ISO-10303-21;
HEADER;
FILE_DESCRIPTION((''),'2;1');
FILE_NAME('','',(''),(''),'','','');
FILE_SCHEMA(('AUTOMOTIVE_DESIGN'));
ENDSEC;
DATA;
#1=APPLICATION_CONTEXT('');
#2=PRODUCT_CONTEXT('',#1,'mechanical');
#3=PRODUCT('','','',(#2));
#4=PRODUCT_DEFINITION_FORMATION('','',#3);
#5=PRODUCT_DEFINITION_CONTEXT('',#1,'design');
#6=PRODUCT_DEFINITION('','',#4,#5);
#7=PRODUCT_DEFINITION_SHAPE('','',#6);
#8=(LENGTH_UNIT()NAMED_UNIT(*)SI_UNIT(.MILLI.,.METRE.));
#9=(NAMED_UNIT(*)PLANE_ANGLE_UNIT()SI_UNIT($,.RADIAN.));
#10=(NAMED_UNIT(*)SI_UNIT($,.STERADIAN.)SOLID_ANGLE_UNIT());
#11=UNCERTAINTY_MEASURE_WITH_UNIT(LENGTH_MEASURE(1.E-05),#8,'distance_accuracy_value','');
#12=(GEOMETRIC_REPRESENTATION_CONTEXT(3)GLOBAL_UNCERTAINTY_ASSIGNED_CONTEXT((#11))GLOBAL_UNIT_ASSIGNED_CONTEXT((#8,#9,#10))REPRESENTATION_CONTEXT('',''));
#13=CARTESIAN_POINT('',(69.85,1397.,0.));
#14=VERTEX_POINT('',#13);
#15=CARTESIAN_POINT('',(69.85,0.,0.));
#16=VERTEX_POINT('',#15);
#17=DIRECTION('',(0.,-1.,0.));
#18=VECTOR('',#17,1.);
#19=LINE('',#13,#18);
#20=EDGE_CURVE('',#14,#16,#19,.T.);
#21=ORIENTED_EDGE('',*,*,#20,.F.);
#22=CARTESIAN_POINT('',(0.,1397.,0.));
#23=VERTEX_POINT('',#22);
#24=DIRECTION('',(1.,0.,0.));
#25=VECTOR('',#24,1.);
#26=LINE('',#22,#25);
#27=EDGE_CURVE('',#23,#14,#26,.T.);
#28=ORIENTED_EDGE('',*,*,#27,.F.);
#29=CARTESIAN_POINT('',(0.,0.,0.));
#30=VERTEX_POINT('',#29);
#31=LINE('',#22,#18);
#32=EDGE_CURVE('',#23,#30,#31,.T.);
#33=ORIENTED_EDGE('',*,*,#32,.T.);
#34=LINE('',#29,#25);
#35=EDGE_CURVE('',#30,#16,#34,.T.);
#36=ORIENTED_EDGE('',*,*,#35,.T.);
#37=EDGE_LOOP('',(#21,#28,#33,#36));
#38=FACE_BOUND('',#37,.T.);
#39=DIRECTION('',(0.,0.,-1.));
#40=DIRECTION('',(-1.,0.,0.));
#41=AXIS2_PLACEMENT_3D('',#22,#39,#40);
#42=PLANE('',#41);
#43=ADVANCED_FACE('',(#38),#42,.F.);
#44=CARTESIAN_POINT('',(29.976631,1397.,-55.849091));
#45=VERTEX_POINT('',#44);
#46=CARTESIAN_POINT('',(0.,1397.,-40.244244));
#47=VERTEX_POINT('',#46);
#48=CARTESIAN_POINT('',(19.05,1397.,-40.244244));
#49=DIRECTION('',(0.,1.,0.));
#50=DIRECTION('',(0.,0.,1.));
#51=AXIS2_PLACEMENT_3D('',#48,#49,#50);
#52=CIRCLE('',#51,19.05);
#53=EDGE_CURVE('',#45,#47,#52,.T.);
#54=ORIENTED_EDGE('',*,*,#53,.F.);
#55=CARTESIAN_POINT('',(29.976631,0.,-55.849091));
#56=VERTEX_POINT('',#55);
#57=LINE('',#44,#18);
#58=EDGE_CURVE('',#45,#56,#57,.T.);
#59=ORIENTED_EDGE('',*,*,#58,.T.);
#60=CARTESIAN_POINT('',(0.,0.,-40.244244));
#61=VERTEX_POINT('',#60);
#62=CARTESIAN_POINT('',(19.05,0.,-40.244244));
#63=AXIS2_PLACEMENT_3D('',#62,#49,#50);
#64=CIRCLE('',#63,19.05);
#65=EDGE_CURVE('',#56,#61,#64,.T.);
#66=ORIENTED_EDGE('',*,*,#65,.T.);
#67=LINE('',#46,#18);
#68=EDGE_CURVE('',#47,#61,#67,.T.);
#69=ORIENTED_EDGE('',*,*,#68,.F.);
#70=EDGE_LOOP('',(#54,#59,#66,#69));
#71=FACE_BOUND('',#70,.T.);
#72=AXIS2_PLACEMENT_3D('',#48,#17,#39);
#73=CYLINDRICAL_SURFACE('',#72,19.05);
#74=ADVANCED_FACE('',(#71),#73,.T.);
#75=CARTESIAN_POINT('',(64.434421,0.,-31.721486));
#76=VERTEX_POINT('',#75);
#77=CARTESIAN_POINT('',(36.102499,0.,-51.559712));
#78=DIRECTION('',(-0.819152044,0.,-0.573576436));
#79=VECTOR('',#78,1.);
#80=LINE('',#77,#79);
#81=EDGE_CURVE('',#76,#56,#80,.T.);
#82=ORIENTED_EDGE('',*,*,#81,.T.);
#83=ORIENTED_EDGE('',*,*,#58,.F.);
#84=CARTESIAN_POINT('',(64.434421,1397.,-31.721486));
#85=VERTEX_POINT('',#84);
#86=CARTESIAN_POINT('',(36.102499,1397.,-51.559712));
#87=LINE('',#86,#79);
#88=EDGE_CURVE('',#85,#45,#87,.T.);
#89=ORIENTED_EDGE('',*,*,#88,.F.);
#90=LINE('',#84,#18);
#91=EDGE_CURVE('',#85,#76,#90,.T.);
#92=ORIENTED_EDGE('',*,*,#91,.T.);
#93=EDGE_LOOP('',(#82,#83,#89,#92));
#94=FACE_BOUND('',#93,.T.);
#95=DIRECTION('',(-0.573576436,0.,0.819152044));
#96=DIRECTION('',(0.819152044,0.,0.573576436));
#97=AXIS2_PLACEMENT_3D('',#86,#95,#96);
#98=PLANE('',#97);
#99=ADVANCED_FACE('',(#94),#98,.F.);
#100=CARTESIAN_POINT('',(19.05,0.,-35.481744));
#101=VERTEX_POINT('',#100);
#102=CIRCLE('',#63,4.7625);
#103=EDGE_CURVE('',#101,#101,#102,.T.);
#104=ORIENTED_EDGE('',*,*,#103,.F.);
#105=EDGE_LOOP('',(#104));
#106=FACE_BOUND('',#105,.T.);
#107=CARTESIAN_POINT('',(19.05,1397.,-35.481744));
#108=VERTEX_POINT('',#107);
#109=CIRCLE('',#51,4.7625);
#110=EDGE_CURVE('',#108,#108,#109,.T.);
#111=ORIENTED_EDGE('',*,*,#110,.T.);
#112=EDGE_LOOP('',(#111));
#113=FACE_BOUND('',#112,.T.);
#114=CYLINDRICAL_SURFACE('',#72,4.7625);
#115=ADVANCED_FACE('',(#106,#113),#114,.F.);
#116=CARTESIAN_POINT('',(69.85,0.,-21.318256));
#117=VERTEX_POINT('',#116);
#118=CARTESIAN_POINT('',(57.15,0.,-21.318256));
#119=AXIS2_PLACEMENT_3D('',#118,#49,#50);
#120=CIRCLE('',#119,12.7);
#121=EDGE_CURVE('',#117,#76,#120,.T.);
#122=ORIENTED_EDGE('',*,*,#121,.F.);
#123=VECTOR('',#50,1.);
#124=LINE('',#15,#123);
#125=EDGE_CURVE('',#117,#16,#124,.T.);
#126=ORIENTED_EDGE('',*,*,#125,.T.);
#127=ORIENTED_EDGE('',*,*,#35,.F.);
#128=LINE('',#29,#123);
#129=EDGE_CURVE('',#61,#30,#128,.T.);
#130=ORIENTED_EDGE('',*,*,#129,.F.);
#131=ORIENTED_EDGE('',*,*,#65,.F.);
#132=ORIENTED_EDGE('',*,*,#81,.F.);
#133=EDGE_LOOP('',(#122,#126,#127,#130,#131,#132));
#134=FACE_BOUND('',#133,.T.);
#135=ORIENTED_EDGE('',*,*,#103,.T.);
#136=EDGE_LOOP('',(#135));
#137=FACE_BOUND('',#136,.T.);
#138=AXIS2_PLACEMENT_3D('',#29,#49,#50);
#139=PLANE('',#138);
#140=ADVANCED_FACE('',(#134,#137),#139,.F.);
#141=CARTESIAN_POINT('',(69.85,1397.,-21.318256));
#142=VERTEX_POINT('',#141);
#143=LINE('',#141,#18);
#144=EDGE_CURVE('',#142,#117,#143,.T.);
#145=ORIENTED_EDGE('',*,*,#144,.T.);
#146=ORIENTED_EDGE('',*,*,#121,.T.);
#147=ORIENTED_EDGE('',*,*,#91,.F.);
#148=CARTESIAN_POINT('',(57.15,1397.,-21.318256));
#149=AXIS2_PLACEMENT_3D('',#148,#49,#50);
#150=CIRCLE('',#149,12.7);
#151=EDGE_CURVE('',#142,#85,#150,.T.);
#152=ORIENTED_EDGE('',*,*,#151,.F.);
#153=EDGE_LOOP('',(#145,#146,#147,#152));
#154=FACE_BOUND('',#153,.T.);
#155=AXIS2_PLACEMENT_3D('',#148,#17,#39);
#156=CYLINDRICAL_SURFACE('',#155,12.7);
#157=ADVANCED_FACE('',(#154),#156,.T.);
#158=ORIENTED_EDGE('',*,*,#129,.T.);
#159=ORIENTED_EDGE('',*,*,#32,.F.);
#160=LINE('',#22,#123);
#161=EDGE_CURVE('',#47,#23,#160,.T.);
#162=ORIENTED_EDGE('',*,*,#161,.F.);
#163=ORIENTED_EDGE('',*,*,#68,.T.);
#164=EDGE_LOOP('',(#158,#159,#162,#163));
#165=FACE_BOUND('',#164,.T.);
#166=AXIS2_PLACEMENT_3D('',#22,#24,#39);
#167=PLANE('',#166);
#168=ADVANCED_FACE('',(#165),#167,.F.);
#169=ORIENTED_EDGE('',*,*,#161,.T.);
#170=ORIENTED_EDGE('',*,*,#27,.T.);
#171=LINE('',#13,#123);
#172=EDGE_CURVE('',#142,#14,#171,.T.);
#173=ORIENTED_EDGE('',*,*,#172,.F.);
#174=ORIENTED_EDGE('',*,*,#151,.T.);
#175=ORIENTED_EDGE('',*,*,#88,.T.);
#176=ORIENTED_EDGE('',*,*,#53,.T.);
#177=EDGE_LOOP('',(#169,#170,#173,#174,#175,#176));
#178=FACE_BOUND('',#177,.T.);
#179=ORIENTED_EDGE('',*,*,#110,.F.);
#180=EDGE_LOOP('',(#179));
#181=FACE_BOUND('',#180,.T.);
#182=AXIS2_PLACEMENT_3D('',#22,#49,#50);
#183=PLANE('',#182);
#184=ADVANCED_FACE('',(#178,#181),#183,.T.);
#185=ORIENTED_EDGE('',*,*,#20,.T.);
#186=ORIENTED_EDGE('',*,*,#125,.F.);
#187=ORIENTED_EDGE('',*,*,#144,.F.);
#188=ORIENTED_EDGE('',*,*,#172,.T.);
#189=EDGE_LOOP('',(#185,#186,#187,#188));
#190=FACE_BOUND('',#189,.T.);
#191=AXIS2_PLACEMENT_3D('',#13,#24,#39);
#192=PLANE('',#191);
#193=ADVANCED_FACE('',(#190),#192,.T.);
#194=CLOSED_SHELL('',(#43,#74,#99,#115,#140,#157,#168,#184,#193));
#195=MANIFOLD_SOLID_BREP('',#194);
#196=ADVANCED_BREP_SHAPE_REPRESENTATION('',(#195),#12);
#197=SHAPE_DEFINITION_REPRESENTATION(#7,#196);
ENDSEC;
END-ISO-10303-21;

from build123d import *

# Parameters (mm, degrees)
SKETCH1_R           = 4.7625
BOSS_EXTRUDE1_DEPTH = 1397


with BuildPart() as part:
    # Sketch1 → Boss-Extrude1 (new body)
    with BuildSketch(Plane(origin=(0, 0, 0), x_dir=(1, 0, 0), z_dir=(0, 1, 0))):
        with BuildLine():
            ThreePointArc((29.976631112, 55.849090528), (10.253688918, 57.141800456), (0, 40.244244084))
            Line((0, 40.244244084), (0, 0))
            Line((0, 0), (69.85, 0))
            Line((69.85, 0), (69.85, 21.318255517))
            ThreePointArc((69.85, 21.318255517), (68.415037581, 27.182462905), (64.434420742, 31.721486479))
            Line((64.434420742, 31.721486479), (29.976631112, 55.849090528))
        make_face()
        with Locations(Location((19.05, 40.244244084, 0), (0, 0, 270))):
            Circle(SKETCH1_R, mode=Mode.SUBTRACT)
    extrude(amount=BOSS_EXTRUDE1_DEPTH)


solid = part.part
